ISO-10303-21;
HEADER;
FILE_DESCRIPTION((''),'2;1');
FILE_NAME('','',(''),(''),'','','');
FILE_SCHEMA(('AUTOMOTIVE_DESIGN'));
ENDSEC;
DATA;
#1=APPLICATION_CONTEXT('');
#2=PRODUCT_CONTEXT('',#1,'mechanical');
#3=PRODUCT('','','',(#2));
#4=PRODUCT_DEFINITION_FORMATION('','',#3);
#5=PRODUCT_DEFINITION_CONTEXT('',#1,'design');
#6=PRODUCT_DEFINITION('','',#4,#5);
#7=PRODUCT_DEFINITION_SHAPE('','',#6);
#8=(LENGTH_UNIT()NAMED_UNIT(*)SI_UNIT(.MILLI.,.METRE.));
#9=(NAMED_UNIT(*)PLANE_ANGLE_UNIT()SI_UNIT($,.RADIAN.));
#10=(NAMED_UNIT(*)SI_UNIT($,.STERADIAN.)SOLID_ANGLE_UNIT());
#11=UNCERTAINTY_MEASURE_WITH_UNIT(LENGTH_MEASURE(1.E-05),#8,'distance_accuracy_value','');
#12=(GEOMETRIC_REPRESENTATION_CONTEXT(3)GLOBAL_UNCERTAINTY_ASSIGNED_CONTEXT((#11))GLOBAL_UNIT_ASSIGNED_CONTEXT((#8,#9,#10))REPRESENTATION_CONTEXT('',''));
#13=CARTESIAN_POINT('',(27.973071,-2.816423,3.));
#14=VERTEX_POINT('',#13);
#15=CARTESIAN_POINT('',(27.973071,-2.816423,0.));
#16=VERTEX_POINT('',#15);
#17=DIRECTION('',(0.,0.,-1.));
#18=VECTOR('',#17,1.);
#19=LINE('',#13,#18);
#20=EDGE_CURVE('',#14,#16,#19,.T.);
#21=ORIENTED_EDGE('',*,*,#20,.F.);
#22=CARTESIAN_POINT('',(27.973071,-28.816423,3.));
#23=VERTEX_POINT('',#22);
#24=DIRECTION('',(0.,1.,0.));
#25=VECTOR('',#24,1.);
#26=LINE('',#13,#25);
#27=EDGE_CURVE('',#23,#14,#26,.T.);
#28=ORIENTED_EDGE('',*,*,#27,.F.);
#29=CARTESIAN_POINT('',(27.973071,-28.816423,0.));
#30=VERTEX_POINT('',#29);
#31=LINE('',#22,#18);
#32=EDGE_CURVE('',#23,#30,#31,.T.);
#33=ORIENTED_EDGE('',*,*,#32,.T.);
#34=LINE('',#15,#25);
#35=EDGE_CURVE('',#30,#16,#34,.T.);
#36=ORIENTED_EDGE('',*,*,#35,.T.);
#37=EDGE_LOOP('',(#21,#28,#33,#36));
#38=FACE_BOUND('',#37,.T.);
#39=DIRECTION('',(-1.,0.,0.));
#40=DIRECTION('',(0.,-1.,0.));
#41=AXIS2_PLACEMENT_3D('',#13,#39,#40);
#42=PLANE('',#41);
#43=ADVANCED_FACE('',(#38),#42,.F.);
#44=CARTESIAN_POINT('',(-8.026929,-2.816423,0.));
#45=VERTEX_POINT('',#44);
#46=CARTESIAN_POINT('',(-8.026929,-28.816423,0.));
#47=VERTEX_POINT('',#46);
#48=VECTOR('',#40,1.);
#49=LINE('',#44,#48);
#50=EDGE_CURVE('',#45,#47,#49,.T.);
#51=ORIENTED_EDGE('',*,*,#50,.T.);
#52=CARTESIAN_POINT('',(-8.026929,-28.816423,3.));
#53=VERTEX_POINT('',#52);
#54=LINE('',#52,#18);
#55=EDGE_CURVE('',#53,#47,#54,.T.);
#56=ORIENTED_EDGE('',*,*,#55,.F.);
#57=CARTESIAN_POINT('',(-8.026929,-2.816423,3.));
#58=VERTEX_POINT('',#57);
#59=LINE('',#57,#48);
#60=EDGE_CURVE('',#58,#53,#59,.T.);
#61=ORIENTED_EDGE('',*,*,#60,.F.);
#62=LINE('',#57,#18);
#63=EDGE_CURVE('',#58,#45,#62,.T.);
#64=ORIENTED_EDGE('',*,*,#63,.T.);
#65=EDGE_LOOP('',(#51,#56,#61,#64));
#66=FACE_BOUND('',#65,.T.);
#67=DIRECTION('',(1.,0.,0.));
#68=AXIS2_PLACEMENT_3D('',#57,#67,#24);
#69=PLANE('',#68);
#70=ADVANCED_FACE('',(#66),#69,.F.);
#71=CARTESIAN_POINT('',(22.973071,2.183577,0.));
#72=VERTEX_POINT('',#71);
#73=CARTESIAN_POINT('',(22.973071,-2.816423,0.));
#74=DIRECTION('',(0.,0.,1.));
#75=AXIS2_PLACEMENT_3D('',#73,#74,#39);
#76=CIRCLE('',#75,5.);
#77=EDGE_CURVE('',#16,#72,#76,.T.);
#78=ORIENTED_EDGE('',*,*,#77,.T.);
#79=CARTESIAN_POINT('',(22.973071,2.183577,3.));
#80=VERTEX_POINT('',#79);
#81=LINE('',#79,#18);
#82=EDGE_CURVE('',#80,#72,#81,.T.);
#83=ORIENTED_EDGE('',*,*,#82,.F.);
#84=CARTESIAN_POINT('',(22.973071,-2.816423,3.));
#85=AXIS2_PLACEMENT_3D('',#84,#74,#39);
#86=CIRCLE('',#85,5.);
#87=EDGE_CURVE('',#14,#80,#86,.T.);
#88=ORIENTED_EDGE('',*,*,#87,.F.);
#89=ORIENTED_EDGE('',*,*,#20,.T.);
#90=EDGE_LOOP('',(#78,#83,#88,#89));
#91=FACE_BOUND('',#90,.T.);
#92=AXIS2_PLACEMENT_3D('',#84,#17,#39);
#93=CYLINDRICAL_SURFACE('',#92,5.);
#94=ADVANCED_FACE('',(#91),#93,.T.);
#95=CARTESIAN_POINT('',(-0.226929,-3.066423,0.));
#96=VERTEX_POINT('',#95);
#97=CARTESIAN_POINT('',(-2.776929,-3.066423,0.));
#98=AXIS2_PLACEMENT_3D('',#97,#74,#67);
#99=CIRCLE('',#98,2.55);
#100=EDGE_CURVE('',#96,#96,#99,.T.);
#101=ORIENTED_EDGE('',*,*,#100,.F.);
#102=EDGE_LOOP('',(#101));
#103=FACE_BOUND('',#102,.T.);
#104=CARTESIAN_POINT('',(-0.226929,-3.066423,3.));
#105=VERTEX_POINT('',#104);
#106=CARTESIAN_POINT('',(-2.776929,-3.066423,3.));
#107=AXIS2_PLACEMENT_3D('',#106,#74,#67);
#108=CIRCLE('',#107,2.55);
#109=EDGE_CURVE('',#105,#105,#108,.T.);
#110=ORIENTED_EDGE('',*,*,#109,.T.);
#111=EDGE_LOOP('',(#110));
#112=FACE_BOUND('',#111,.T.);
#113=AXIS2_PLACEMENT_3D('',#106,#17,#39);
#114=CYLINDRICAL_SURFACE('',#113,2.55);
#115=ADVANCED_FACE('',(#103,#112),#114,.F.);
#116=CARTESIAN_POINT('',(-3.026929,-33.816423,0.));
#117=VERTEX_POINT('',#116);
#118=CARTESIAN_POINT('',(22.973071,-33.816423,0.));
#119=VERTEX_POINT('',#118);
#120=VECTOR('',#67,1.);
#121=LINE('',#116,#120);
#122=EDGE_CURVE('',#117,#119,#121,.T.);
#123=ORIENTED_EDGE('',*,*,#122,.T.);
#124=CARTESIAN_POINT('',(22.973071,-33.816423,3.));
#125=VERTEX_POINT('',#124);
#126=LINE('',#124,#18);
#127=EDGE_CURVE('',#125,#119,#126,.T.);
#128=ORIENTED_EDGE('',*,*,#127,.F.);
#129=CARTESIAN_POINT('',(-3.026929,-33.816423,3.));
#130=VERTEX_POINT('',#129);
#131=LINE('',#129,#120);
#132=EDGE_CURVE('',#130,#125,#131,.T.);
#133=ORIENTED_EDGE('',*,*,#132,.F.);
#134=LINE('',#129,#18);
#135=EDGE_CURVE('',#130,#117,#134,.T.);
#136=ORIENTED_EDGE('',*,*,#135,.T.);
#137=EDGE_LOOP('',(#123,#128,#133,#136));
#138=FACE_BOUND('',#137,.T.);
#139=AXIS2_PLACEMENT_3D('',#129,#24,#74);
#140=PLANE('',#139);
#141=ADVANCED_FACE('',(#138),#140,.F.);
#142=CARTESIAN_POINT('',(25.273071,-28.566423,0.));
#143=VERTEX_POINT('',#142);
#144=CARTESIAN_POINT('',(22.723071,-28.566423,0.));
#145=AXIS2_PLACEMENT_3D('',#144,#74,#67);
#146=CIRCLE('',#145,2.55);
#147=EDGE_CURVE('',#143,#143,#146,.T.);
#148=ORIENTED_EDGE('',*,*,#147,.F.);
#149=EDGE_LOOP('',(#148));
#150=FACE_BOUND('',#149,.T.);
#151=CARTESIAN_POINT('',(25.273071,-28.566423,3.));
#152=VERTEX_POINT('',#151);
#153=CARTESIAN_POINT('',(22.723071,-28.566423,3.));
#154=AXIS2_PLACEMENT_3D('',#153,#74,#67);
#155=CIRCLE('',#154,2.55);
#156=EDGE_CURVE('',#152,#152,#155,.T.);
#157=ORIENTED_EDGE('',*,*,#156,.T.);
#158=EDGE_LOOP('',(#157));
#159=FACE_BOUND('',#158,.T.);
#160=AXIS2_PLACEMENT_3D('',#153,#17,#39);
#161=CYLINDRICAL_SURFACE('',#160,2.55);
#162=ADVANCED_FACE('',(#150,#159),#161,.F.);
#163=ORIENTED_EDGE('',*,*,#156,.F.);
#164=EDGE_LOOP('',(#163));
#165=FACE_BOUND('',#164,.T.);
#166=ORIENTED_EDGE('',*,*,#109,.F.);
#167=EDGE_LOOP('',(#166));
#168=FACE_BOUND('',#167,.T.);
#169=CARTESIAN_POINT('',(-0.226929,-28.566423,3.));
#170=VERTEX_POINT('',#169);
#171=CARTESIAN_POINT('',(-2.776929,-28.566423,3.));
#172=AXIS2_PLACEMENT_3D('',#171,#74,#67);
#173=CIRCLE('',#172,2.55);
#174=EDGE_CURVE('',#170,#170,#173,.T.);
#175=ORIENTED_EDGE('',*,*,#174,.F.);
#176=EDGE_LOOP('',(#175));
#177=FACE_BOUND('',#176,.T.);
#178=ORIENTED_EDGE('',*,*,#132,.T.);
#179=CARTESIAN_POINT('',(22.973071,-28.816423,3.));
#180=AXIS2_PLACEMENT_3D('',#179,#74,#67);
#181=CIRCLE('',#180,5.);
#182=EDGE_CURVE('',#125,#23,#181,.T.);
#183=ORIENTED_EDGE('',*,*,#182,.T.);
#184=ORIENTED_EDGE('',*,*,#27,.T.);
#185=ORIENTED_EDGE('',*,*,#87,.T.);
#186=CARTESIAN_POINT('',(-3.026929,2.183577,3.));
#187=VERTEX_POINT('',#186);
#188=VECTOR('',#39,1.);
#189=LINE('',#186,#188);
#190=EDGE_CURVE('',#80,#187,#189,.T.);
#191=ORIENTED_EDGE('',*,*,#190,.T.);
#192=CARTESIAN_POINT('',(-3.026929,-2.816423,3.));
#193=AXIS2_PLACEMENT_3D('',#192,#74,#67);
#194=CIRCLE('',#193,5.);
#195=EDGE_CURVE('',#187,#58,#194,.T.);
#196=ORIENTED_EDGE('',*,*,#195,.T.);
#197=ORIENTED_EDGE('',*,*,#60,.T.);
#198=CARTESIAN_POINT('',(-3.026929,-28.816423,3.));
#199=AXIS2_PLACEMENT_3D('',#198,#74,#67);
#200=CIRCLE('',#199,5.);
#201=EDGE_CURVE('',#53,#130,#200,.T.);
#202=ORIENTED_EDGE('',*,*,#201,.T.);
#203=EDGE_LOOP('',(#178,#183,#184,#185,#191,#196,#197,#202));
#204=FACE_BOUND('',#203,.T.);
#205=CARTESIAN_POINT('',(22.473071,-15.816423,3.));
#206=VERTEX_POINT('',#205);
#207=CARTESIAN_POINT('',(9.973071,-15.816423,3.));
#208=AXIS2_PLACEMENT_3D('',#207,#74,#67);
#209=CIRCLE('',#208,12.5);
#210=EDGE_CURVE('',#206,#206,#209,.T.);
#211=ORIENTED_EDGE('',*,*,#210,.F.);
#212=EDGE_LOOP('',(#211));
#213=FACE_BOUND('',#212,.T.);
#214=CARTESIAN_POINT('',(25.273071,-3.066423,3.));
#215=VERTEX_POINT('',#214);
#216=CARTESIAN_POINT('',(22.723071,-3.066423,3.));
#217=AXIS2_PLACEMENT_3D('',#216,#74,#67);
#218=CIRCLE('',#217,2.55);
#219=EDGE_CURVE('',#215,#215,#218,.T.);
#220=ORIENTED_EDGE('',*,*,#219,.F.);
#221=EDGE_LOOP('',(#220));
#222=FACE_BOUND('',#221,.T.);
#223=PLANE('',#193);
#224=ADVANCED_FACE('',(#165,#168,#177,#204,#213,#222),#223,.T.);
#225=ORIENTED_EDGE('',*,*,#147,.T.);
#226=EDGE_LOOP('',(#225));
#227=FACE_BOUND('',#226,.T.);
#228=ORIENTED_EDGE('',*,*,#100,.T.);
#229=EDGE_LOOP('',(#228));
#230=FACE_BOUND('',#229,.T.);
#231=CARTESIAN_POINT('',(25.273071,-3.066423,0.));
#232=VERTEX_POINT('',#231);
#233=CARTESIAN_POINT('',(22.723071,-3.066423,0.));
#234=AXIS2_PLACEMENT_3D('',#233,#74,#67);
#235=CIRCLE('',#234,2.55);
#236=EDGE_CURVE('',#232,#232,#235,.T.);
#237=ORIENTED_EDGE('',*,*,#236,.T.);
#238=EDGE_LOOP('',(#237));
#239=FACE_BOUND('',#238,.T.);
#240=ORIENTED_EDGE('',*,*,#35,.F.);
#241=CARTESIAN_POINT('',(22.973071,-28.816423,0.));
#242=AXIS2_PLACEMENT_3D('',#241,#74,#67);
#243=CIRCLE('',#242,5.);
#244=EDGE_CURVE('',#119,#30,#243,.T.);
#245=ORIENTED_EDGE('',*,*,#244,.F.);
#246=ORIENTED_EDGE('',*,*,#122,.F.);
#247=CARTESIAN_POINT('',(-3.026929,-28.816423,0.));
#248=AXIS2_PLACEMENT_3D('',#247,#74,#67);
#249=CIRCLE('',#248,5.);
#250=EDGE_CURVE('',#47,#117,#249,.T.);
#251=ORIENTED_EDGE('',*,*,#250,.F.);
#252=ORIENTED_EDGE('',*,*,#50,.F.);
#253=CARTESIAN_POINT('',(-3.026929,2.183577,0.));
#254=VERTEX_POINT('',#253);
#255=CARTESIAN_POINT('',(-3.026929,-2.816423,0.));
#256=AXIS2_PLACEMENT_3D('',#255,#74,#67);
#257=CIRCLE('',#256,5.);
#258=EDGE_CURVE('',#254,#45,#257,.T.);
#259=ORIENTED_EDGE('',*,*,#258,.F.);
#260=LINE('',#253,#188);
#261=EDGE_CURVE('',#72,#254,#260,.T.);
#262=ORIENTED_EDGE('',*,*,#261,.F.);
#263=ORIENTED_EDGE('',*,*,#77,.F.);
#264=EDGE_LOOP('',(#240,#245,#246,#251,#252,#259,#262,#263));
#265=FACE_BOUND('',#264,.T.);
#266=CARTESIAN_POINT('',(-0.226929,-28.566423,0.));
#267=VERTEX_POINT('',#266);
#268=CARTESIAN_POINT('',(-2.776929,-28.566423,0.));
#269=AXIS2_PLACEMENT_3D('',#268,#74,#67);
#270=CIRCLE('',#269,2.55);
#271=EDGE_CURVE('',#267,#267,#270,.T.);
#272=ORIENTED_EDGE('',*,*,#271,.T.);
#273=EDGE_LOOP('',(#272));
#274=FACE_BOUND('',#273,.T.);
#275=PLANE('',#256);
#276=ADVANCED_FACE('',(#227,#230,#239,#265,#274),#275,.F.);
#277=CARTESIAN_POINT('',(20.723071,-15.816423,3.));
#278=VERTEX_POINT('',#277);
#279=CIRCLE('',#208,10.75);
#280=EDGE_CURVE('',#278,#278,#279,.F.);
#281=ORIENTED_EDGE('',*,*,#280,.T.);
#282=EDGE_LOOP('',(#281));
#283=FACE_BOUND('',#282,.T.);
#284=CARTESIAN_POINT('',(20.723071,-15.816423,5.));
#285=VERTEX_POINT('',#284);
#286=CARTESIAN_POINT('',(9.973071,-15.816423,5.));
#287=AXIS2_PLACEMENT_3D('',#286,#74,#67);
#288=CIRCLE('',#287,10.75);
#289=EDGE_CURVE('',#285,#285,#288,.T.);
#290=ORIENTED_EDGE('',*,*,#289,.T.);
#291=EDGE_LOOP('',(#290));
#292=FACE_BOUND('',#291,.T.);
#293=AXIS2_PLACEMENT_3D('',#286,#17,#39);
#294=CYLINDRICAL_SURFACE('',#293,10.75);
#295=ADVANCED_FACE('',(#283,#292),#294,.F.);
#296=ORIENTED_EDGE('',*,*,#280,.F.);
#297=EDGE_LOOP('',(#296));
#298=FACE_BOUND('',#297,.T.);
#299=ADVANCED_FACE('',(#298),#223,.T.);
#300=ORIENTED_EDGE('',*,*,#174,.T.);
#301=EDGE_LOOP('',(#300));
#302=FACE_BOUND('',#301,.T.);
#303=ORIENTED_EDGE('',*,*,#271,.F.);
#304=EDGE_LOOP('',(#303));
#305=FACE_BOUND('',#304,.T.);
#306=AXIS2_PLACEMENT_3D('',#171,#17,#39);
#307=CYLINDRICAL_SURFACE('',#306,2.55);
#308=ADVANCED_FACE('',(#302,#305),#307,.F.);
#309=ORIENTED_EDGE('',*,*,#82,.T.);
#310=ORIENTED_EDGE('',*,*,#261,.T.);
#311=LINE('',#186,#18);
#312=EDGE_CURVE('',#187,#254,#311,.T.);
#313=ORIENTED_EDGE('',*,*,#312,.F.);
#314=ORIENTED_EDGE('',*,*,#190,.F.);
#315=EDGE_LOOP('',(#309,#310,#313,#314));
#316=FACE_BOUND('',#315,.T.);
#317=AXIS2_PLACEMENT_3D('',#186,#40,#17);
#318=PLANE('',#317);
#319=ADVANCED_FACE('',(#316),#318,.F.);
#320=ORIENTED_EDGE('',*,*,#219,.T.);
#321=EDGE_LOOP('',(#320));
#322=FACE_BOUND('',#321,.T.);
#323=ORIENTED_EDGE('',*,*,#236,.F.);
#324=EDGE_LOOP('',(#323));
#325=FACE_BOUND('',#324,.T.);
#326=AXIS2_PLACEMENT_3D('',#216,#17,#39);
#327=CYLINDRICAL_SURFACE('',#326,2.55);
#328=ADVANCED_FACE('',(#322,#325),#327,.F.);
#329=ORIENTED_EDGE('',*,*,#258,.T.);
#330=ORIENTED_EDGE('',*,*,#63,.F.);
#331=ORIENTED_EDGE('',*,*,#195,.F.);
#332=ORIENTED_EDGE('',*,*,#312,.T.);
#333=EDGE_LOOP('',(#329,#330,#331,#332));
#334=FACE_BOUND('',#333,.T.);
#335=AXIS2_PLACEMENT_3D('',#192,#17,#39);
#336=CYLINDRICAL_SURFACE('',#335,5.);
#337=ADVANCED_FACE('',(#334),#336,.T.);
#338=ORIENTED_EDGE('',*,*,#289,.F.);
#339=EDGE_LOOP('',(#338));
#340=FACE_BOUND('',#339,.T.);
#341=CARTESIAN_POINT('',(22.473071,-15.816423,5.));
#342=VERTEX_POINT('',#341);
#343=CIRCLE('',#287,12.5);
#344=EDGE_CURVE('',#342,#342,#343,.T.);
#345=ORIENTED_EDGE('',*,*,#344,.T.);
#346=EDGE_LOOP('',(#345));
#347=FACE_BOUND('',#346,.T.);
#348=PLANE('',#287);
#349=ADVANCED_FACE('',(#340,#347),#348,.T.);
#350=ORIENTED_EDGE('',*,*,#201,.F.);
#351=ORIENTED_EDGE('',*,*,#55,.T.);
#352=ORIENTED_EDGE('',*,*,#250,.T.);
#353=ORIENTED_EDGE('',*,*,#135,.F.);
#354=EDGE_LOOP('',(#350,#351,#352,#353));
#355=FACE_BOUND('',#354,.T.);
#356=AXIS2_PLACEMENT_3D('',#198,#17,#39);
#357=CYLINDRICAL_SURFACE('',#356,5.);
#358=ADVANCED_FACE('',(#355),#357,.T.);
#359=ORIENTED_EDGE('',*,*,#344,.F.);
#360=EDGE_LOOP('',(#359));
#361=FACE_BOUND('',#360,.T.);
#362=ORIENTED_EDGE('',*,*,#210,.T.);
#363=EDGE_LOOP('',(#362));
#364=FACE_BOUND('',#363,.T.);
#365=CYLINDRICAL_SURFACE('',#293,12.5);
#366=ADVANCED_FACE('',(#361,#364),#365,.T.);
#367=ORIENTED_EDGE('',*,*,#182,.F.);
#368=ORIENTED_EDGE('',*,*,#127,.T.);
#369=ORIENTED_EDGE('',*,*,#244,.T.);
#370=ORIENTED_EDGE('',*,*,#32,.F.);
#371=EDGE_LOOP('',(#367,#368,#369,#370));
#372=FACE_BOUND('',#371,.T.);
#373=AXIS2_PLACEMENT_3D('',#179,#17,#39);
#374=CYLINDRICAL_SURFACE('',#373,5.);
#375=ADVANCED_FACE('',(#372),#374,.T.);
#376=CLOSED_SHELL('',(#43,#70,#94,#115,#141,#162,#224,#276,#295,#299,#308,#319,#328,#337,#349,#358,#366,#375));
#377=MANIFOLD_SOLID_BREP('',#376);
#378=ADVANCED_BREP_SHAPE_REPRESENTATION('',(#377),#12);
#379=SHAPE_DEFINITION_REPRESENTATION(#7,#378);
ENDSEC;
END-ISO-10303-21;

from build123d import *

# Parameters (mm, degrees)
SZKIC1_R                     = 2.55
DODANIE_WYCI_GNI_CIE11_DEPTH = 3
SZKIC7_R                     = 12.5
SZKIC7_R_2                   = 10.75
DODANIE_WYCI_GNI_CIE12_DEPTH = 2


with BuildPart() as part:
    # Szkic1 → Dodanie-wyciągnięcie11 (new body)
    with BuildSketch(Plane.XY):
        with BuildLine():
            Line((-3.026929241, 2.183576975), (22.973070759, 2.183576975))
            ThreePointArc((22.973070759, 2.183576975), (26.508604665, 0.719110881), (27.973070759, -2.816423025))
            Line((27.973070759, -2.816423025), (27.973070759, -28.816423025))
            ThreePointArc((27.973070759, -28.816423025), (26.508604665, -32.351956931), (22.973070759, -33.816423025))
            Line((22.973070759, -33.816423025), (-3.026929241, -33.816423025))
            ThreePointArc((-3.026929241, -33.816423025), (-6.562463147, -32.351956931), (-8.026929241, -28.816423025))
            Line((-8.026929241, -28.816423025), (-8.026929241, -2.816423025))
            ThreePointArc((-8.026929241, -2.816423025), (-6.562463147, 0.719110881), (-3.026929241, 2.183576975))
        make_face()
        with Locations((-2.776929241, -3.066423025)):
            Circle(SZKIC1_R, mode=Mode.SUBTRACT)
        with Locations((22.723070759, -3.066423025)):
            Circle(SZKIC1_R, mode=Mode.SUBTRACT)
        with Locations((-2.776929241, -28.566423025)):
            Circle(SZKIC1_R, mode=Mode.SUBTRACT)
        with Locations((22.723070759, -28.566423025)):
            Circle(SZKIC1_R, mode=Mode.SUBTRACT)
    extrude(amount=DODANIE_WYCI_GNI_CIE11_DEPTH)

    # Szkic7 → Dodanie-wyciągnięcie12 (add)
    with BuildSketch(Plane.XY.offset(3)):
        with Locations((9.973070759, -15.816423025)):
            Circle(SZKIC7_R)
        with Locations((9.973070759, -15.816423025)):
            Circle(SZKIC7_R_2, mode=Mode.SUBTRACT)
    extrude(amount=DODANIE_WYCI_GNI_CIE12_DEPTH)


solid = part.part
